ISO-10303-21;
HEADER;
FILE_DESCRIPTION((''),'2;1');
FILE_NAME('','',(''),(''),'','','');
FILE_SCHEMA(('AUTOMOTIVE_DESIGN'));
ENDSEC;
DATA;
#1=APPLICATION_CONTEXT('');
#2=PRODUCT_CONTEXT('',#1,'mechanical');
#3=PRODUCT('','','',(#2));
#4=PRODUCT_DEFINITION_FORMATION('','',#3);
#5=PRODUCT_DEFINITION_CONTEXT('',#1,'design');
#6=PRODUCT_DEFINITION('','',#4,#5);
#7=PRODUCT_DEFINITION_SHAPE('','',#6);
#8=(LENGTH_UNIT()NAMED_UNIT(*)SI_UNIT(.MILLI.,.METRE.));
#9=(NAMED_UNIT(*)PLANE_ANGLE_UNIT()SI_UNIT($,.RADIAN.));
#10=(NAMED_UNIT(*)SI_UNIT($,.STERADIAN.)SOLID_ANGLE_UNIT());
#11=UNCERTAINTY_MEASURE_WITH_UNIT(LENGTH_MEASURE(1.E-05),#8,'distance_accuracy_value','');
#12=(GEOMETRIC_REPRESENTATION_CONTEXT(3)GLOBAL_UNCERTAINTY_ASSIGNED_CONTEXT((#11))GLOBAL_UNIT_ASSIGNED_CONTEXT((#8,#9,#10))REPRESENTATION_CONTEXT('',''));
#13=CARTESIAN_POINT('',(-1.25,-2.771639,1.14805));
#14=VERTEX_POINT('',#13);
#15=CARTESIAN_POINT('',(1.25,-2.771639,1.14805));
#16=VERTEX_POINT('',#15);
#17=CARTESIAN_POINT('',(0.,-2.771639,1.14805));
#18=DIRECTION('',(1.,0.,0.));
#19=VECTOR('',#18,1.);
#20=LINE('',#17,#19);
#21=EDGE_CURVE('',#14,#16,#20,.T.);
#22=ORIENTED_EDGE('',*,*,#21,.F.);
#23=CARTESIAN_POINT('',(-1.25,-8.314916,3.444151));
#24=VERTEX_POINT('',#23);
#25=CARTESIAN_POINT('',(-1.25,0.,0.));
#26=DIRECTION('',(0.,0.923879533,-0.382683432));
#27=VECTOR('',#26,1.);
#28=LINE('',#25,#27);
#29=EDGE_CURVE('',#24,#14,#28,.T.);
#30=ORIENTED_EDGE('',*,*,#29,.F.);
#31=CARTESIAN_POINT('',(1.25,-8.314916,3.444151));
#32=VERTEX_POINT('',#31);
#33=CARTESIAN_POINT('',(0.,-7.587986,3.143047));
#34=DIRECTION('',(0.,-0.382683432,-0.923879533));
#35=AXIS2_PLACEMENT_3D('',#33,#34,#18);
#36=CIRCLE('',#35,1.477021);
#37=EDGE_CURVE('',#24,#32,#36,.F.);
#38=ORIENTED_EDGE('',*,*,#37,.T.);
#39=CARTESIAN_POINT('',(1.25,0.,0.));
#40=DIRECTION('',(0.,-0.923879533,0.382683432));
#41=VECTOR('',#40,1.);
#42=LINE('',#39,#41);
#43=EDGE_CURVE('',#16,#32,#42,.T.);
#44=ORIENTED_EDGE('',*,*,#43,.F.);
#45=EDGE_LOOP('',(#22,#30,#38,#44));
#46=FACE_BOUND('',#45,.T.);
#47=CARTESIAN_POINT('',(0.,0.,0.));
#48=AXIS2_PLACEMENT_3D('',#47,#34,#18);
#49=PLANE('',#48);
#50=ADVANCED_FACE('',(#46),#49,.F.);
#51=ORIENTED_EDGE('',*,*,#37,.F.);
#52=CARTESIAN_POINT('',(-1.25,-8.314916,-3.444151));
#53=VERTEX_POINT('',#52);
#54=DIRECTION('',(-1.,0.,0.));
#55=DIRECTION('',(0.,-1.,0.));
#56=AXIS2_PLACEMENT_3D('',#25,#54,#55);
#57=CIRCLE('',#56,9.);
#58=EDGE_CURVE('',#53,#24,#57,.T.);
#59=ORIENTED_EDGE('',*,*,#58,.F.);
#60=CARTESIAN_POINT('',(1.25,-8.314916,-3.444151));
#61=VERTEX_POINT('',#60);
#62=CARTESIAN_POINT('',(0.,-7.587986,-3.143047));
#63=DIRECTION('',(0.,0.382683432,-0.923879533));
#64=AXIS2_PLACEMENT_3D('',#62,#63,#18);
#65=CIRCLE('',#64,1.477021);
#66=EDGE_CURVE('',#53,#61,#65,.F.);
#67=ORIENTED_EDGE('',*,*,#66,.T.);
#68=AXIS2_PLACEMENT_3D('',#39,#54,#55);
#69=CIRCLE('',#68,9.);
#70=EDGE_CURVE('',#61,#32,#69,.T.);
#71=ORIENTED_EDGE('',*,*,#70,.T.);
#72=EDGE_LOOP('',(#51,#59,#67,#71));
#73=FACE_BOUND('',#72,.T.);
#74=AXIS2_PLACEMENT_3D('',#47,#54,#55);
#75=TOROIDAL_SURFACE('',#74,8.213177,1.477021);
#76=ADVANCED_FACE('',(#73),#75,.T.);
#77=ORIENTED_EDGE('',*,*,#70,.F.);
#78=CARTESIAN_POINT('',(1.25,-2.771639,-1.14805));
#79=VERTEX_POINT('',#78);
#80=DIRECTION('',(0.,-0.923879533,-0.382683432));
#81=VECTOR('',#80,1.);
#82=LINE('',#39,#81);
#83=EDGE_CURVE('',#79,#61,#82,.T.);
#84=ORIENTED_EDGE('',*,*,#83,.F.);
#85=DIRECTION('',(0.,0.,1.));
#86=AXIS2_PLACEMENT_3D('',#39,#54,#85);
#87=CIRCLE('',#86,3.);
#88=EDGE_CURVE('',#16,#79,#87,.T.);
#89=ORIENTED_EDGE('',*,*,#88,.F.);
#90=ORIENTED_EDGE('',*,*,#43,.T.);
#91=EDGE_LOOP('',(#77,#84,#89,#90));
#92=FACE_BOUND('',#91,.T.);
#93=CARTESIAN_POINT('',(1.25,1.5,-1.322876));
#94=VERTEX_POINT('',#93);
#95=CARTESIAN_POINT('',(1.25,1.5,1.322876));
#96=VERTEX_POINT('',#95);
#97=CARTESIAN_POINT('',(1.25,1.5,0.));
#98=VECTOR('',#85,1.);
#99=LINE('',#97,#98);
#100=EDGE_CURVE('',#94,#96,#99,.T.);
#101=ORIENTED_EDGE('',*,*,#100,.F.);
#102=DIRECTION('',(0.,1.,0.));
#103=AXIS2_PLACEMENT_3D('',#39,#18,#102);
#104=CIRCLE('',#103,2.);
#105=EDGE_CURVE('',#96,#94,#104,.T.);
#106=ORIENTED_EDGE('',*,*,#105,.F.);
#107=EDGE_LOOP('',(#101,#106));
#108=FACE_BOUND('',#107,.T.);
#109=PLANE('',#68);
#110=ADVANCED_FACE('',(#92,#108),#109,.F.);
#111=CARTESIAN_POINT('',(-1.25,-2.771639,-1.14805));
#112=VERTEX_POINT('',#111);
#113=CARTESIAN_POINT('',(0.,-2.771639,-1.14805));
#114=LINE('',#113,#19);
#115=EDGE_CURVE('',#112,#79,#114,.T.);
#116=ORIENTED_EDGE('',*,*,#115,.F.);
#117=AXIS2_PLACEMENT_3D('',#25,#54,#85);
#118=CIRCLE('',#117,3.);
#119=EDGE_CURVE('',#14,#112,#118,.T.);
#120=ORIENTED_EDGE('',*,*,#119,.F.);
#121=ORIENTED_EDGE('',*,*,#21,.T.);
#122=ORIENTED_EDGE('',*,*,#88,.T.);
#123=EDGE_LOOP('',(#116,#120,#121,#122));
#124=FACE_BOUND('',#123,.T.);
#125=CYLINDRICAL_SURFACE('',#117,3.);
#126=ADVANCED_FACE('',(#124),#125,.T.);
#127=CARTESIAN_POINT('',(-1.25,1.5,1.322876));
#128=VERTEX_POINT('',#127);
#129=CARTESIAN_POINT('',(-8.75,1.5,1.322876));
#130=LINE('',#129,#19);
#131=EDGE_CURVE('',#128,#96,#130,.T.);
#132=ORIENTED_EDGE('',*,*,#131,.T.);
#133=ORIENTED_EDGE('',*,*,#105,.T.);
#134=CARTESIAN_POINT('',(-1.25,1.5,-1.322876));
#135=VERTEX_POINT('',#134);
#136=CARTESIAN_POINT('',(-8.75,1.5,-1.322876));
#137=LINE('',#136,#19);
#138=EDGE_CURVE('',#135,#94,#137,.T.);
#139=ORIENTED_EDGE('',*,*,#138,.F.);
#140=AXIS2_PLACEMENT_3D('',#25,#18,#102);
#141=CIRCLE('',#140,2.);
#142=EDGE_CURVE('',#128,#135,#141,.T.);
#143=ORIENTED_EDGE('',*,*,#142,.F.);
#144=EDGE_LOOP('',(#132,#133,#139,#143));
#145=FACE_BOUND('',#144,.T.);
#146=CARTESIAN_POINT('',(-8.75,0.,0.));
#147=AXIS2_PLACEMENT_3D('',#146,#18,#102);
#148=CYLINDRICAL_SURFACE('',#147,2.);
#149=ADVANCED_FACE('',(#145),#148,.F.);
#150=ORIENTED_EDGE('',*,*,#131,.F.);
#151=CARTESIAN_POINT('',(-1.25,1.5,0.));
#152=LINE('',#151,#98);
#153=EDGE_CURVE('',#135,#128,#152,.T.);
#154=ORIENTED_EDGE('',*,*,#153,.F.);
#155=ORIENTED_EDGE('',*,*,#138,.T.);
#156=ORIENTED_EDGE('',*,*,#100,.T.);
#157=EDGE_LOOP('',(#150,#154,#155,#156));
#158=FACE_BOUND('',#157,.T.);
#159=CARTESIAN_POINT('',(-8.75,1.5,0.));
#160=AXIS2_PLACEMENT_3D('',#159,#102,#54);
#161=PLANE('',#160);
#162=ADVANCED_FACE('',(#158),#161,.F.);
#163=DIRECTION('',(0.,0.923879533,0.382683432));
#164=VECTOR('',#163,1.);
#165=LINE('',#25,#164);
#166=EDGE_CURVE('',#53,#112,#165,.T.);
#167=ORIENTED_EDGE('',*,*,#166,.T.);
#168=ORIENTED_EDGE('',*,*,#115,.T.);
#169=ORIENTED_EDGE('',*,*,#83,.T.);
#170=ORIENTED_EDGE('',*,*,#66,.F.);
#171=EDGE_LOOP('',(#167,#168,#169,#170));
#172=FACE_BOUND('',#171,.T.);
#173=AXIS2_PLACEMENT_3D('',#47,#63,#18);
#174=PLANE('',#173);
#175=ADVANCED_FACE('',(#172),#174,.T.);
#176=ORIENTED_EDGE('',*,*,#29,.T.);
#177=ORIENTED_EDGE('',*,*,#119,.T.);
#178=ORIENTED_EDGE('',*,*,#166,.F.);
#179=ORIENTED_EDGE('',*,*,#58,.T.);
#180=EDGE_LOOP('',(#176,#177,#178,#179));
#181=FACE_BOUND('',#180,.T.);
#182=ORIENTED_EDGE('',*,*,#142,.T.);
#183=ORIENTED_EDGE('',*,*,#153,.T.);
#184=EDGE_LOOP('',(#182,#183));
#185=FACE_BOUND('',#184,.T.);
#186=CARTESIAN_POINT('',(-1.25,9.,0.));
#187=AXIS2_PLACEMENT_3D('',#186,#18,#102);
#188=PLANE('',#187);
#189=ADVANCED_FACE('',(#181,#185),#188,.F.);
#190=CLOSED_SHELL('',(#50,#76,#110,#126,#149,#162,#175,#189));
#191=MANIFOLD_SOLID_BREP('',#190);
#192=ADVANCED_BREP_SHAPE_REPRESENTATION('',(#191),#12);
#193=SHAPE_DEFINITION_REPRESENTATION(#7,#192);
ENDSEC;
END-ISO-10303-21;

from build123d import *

# Parameters (mm, degrees)
CUT_EXTRUDE1_DEPTH           = 10
CUT_REVOLVE1_ANGLE           = 157.5
CUT_REVOLVE1_OTHER_WAY_ANGLE = 157.5


with BuildPart() as part:
    # Sketch3 → Revolve1 (revolve)
    with BuildSketch(Plane.XY, mode=Mode.PRIVATE) as revolve1_sk:
        with BuildLine():
            Line((1.25, 0), (1.25, 9))
            ThreePointArc((1.25, 9), (0, 9.690197618), (-1.25, 9))
            Line((-1.25, 9), (-1.25, 0))
            Line((-1.25, 0), (1.25, 0))
        make_face()
    revolve(revolve1_sk.sketch.rotate(Axis((-1.25, 0, 0), (1, 0, 0)), 180), axis=Axis((-1.25, 0, 0), (1, 0, 0)))

    # Sketch4 → Cut-Extrude1 (cut)
    # profile 1 of 2: a face of its own
    with BuildSketch(Plane(origin=(1.25, 0, 0), x_dir=(0, 0, -1), z_dir=(1, 0, 0))):
        with BuildLine():
            Line((1.322875656, 1.5), (-1.322875656, 1.5))
            ThreePointArc((-1.322875656, 1.5), (0, -2), (1.322875656, 1.5))
        make_face()
        with BuildLine():
            ThreePointArc((-1.118033989, 1), (0, -1.5), (1.118033989, 1))
            Line((1.118033989, 1), (-1.118033989, 1))
        make_face(mode=Mode.SUBTRACT)
    # profile 2 of 2: a face of its own
    with BuildSketch(Plane(origin=(1.25, 0, 0), x_dir=(0, 0, -1), z_dir=(1, 0, 0))):
        with BuildLine():
            Line((1.118033989, 1), (-1.118033989, 1))
            ThreePointArc((-1.118033989, 1), (0, -1.5), (1.118033989, 1))
        make_face()
    extrude(amount=-CUT_EXTRUDE1_DEPTH, mode=Mode.SUBTRACT)

    # Sketch7 → Cut-Revolve1 (revolve, cut)
    with BuildSketch(Plane.XY):
        with BuildLine():
            ThreePointArc((-1.25, 9), (0, 9.690197618), (1.25, 9))
            Line((1.25, 9), (1.25, 3))
            Line((1.25, 3), (-1.25, 3))
            Line((-1.25, 3), (-1.25, 9))
        make_face()
    revolve(axis=Axis((-1.25, 0, 0), (1, 0, 0)), revolution_arc=CUT_REVOLVE1_ANGLE, mode=Mode.SUBTRACT)

    # Sketch7 → Cut-Revolve1 other way (revolve, cut)
    with BuildSketch(Plane.XY):
        with BuildLine():
            ThreePointArc((-1.25, 9), (0, 9.690197618), (1.25, 9))
            Line((1.25, 9), (1.25, 3))
            Line((1.25, 3), (-1.25, 3))
            Line((-1.25, 3), (-1.25, 9))
        make_face()
    revolve(axis=Axis((-1.25, 0, 0), (-1, 0, 0)), revolution_arc=CUT_REVOLVE1_OTHER_WAY_ANGLE, mode=Mode.SUBTRACT)


solid = part.part
